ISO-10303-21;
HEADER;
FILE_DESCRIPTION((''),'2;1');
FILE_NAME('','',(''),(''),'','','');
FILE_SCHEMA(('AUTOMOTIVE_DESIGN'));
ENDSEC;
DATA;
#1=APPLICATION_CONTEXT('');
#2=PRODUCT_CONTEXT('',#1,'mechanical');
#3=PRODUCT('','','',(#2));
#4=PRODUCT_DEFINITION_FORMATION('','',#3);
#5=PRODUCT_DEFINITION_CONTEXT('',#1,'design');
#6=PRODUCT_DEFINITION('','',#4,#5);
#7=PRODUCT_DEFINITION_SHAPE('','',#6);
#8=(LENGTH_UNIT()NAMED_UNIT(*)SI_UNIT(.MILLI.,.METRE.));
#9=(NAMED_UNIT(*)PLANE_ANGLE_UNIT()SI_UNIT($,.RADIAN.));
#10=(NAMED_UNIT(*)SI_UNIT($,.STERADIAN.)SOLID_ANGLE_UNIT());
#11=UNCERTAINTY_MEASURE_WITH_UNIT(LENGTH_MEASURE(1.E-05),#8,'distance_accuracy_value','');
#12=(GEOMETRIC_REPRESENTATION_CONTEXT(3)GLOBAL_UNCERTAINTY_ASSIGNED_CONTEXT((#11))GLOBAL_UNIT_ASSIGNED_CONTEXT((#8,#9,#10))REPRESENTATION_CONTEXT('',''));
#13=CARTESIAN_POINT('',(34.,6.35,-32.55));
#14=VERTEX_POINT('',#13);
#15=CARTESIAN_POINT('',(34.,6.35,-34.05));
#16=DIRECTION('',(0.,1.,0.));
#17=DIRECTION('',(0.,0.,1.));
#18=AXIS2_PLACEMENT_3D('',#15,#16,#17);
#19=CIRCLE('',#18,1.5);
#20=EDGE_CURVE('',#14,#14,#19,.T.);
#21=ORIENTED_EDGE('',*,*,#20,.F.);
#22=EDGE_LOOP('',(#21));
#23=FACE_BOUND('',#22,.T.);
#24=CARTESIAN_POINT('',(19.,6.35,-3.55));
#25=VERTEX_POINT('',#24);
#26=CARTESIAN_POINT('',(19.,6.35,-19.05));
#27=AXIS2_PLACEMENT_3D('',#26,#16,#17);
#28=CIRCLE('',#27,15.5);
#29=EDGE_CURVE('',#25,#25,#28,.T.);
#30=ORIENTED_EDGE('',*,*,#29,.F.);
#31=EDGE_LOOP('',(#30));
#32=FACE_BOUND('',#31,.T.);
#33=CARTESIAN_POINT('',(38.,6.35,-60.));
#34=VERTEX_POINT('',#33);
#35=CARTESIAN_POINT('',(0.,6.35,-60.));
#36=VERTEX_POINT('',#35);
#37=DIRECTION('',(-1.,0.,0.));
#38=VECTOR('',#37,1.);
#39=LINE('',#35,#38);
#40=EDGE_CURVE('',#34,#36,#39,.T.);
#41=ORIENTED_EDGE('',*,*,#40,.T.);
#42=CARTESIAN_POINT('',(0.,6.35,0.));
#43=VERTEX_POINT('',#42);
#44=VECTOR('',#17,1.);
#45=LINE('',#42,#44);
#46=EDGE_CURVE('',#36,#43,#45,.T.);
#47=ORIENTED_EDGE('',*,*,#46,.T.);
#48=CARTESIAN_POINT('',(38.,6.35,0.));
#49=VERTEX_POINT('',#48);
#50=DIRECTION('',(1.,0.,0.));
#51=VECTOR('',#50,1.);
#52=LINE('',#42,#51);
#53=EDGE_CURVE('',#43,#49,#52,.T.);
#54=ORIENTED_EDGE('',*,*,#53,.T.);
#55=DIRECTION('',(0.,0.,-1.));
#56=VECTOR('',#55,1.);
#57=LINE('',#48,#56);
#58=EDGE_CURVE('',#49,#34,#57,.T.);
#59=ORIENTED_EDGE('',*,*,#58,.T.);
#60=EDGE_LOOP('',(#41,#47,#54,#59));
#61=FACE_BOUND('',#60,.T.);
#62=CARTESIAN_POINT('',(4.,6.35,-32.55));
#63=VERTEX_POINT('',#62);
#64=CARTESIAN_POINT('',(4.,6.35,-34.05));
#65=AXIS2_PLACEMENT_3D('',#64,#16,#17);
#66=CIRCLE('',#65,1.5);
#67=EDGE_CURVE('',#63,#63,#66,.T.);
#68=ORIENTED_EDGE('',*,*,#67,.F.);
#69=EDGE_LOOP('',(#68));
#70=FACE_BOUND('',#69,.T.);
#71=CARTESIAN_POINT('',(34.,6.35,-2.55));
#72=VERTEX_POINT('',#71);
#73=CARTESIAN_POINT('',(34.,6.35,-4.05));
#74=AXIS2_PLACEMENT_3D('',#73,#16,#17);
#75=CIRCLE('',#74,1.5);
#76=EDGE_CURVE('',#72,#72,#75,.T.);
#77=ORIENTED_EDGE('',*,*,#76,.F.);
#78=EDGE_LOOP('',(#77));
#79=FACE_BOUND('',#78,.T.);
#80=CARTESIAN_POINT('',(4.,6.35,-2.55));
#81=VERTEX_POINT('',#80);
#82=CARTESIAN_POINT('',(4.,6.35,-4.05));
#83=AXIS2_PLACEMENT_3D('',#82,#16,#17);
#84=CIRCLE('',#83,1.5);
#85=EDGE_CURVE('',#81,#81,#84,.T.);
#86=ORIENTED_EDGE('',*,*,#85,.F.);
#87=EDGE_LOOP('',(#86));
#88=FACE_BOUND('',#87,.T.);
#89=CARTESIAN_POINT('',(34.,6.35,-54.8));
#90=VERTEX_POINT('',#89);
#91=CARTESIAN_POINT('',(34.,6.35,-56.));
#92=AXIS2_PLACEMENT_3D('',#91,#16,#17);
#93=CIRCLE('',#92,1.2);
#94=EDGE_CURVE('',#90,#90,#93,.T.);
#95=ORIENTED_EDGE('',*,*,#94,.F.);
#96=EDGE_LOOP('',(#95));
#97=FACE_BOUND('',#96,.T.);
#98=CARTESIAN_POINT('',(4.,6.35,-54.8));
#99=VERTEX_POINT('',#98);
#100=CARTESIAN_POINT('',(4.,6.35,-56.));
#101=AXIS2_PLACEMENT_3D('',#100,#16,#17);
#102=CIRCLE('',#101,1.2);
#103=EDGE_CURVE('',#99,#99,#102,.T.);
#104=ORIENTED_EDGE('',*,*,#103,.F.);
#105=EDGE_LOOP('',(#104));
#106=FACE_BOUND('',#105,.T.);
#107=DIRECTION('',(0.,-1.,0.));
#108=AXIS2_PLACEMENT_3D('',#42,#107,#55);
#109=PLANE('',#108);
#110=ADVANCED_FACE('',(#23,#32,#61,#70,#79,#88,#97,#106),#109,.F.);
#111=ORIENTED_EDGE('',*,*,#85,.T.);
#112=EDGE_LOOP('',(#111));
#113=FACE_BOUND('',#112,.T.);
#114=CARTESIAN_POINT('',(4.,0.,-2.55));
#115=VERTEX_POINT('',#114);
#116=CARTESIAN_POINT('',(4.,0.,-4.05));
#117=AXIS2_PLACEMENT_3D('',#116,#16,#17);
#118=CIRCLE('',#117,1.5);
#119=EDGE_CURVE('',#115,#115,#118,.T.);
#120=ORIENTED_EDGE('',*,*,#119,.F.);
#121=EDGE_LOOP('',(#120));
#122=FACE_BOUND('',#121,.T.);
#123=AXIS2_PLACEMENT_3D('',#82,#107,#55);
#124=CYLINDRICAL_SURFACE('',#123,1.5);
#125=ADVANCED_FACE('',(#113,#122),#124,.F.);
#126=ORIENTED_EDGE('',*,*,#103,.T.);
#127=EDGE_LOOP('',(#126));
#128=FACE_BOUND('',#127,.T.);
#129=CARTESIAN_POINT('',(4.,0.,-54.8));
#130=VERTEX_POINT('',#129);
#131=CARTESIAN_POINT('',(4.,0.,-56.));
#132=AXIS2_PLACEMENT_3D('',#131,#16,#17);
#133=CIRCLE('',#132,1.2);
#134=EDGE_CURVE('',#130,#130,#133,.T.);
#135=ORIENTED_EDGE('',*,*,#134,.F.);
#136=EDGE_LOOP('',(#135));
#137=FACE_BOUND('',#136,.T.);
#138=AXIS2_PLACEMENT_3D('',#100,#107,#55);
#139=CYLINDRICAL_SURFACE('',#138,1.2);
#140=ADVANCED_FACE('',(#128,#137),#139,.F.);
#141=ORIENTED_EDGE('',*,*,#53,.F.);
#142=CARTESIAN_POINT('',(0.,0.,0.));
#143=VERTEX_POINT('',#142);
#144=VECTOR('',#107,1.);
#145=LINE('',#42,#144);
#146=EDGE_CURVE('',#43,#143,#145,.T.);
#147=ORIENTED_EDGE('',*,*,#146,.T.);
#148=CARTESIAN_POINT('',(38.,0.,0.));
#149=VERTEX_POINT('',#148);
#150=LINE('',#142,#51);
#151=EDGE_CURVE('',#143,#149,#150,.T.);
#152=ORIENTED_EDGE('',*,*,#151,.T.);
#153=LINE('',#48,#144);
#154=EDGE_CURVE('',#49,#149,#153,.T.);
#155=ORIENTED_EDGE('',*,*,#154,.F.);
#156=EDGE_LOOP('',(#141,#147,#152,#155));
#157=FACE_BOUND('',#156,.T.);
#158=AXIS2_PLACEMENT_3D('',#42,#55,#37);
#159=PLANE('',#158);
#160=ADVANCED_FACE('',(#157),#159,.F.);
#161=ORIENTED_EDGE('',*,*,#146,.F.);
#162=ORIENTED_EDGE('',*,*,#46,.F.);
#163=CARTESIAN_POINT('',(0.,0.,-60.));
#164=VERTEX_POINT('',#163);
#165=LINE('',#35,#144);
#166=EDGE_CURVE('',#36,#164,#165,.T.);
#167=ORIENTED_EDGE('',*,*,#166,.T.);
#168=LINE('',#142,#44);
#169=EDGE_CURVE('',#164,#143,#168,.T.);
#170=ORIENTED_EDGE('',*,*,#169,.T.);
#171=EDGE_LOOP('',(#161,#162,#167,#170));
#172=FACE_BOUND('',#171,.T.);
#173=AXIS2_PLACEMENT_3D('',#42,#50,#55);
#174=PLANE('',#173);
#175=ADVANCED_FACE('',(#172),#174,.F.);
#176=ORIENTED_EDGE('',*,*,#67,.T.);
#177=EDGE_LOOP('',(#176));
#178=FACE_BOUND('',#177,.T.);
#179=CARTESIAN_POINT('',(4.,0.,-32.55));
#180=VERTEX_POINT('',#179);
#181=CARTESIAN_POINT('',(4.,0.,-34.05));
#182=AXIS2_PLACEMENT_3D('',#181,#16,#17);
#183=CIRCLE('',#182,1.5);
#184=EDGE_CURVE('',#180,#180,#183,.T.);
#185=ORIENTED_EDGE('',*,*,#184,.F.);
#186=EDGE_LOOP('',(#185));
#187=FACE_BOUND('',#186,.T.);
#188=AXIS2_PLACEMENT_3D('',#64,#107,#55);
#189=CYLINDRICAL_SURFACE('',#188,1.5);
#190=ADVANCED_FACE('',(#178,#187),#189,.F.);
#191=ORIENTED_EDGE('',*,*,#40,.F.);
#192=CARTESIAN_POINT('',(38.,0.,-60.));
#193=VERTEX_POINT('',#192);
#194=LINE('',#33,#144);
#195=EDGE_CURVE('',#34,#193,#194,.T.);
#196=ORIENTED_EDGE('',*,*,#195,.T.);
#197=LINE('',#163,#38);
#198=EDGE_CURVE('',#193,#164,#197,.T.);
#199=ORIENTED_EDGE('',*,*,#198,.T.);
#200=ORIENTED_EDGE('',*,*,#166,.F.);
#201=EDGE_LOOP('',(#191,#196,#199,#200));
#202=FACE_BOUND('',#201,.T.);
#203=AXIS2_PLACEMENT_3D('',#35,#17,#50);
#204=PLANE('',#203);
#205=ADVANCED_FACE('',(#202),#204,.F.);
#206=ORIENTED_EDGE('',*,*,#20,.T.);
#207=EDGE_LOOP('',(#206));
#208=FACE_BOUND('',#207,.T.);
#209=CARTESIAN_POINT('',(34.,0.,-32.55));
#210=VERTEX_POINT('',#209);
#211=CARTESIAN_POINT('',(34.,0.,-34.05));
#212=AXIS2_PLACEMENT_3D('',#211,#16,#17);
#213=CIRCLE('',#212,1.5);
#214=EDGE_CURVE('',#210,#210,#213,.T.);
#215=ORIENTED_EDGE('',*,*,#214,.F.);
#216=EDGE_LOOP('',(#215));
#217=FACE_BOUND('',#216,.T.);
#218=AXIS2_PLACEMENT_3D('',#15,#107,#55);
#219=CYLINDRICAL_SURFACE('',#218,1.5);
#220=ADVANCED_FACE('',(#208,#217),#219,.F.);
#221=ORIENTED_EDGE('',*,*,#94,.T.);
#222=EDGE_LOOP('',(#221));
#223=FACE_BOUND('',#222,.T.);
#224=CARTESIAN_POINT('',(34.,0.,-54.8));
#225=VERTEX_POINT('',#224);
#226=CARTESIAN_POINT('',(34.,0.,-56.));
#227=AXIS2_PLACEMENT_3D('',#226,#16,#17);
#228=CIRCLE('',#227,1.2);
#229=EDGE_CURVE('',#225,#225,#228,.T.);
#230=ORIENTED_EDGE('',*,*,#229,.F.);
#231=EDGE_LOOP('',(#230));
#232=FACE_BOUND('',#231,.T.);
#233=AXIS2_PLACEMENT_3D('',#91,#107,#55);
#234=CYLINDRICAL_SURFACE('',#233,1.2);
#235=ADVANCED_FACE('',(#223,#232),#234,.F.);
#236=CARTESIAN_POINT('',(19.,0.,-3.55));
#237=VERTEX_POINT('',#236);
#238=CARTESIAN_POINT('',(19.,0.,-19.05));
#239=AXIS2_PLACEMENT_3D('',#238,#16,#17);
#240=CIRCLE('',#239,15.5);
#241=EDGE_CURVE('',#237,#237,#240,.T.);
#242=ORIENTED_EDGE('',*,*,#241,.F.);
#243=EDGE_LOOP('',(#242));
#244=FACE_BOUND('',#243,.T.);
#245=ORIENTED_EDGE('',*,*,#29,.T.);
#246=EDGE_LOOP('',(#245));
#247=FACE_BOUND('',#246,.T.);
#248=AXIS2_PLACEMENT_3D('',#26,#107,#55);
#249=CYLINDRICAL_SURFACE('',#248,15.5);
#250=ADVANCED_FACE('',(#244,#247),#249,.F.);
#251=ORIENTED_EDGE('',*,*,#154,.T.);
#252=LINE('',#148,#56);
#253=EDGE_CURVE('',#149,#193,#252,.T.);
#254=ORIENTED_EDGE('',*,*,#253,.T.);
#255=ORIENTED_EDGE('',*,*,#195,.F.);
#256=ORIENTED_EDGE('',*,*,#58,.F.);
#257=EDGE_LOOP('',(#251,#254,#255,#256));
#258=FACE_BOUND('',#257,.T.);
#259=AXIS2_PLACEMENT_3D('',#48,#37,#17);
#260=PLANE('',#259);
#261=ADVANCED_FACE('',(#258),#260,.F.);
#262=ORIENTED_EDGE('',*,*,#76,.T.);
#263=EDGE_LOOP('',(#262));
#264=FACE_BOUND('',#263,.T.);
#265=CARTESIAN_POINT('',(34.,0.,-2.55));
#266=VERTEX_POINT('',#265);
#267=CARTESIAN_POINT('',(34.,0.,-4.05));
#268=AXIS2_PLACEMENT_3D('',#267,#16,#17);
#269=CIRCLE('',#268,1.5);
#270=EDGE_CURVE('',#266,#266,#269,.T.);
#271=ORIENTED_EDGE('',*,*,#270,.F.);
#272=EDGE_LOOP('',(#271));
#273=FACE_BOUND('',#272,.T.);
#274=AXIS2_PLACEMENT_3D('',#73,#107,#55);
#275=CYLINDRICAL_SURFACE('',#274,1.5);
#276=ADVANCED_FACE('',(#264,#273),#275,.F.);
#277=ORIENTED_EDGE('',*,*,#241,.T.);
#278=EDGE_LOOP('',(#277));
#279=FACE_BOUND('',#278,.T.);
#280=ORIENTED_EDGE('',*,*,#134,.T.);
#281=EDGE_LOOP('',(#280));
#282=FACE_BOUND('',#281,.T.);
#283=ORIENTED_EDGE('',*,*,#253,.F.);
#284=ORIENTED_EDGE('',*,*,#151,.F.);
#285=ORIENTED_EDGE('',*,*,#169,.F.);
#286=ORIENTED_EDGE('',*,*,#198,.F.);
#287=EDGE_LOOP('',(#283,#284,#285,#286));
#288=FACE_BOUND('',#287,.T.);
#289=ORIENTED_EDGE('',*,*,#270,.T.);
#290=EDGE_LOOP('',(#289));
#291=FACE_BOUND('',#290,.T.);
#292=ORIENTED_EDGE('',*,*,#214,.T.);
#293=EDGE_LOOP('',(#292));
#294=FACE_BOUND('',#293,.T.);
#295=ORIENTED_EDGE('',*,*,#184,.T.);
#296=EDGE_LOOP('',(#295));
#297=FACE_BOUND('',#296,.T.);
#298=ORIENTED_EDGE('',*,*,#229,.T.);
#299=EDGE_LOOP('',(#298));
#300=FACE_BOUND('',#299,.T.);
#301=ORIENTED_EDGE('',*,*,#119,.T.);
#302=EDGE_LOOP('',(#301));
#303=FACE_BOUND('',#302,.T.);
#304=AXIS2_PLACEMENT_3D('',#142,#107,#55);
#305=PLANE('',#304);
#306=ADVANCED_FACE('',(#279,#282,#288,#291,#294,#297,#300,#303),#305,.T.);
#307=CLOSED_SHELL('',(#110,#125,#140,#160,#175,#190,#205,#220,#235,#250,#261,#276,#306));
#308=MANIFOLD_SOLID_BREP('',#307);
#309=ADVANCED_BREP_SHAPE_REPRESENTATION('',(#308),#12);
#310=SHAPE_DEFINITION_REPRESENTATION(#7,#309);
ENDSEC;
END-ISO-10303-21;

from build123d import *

# Parameters (mm, degrees)
SKETCH1_W           = 38
SKETCH1_H           = 60
SKETCH1_R           = 1.5
SKETCH1_R_2         = 15.5
SKETCH1_R_3         = 1.2
BOSS_EXTRUDE1_DEPTH = 6.35


with BuildPart() as part:
    # Sketch1 → Boss-Extrude1 (new body)
    with BuildSketch(Plane(origin=(0, 0, 0), x_dir=(1, 0, 0), z_dir=(0, 1, 0))):
        with Locations((19, 30)):
            Rectangle(SKETCH1_W, SKETCH1_H)
        with Locations(Location((4, 4.05, 0), (0, 0, 270))):
            Circle(SKETCH1_R, mode=Mode.SUBTRACT)
        with Locations(Location((34, 4.05, 0), (0, 0, 270))):
            Circle(SKETCH1_R, mode=Mode.SUBTRACT)
        with Locations(Location((34, 34.05, 0), (0, 0, 270))):
            Circle(SKETCH1_R, mode=Mode.SUBTRACT)
        with Locations(Location((4, 34.05, 0), (0, 0, 270))):
            Circle(SKETCH1_R, mode=Mode.SUBTRACT)
        with Locations(Location((19, 19.05, 0), (0, 0, 270))):
            Circle(SKETCH1_R_2, mode=Mode.SUBTRACT)
        with Locations(Location((4, 56, 0), (0, 0, 270))):
            Circle(SKETCH1_R_3, mode=Mode.SUBTRACT)
        with Locations(Location((34, 56, 0), (0, 0, 270))):
            Circle(SKETCH1_R_3, mode=Mode.SUBTRACT)
    extrude(amount=BOSS_EXTRUDE1_DEPTH)


solid = part.part
